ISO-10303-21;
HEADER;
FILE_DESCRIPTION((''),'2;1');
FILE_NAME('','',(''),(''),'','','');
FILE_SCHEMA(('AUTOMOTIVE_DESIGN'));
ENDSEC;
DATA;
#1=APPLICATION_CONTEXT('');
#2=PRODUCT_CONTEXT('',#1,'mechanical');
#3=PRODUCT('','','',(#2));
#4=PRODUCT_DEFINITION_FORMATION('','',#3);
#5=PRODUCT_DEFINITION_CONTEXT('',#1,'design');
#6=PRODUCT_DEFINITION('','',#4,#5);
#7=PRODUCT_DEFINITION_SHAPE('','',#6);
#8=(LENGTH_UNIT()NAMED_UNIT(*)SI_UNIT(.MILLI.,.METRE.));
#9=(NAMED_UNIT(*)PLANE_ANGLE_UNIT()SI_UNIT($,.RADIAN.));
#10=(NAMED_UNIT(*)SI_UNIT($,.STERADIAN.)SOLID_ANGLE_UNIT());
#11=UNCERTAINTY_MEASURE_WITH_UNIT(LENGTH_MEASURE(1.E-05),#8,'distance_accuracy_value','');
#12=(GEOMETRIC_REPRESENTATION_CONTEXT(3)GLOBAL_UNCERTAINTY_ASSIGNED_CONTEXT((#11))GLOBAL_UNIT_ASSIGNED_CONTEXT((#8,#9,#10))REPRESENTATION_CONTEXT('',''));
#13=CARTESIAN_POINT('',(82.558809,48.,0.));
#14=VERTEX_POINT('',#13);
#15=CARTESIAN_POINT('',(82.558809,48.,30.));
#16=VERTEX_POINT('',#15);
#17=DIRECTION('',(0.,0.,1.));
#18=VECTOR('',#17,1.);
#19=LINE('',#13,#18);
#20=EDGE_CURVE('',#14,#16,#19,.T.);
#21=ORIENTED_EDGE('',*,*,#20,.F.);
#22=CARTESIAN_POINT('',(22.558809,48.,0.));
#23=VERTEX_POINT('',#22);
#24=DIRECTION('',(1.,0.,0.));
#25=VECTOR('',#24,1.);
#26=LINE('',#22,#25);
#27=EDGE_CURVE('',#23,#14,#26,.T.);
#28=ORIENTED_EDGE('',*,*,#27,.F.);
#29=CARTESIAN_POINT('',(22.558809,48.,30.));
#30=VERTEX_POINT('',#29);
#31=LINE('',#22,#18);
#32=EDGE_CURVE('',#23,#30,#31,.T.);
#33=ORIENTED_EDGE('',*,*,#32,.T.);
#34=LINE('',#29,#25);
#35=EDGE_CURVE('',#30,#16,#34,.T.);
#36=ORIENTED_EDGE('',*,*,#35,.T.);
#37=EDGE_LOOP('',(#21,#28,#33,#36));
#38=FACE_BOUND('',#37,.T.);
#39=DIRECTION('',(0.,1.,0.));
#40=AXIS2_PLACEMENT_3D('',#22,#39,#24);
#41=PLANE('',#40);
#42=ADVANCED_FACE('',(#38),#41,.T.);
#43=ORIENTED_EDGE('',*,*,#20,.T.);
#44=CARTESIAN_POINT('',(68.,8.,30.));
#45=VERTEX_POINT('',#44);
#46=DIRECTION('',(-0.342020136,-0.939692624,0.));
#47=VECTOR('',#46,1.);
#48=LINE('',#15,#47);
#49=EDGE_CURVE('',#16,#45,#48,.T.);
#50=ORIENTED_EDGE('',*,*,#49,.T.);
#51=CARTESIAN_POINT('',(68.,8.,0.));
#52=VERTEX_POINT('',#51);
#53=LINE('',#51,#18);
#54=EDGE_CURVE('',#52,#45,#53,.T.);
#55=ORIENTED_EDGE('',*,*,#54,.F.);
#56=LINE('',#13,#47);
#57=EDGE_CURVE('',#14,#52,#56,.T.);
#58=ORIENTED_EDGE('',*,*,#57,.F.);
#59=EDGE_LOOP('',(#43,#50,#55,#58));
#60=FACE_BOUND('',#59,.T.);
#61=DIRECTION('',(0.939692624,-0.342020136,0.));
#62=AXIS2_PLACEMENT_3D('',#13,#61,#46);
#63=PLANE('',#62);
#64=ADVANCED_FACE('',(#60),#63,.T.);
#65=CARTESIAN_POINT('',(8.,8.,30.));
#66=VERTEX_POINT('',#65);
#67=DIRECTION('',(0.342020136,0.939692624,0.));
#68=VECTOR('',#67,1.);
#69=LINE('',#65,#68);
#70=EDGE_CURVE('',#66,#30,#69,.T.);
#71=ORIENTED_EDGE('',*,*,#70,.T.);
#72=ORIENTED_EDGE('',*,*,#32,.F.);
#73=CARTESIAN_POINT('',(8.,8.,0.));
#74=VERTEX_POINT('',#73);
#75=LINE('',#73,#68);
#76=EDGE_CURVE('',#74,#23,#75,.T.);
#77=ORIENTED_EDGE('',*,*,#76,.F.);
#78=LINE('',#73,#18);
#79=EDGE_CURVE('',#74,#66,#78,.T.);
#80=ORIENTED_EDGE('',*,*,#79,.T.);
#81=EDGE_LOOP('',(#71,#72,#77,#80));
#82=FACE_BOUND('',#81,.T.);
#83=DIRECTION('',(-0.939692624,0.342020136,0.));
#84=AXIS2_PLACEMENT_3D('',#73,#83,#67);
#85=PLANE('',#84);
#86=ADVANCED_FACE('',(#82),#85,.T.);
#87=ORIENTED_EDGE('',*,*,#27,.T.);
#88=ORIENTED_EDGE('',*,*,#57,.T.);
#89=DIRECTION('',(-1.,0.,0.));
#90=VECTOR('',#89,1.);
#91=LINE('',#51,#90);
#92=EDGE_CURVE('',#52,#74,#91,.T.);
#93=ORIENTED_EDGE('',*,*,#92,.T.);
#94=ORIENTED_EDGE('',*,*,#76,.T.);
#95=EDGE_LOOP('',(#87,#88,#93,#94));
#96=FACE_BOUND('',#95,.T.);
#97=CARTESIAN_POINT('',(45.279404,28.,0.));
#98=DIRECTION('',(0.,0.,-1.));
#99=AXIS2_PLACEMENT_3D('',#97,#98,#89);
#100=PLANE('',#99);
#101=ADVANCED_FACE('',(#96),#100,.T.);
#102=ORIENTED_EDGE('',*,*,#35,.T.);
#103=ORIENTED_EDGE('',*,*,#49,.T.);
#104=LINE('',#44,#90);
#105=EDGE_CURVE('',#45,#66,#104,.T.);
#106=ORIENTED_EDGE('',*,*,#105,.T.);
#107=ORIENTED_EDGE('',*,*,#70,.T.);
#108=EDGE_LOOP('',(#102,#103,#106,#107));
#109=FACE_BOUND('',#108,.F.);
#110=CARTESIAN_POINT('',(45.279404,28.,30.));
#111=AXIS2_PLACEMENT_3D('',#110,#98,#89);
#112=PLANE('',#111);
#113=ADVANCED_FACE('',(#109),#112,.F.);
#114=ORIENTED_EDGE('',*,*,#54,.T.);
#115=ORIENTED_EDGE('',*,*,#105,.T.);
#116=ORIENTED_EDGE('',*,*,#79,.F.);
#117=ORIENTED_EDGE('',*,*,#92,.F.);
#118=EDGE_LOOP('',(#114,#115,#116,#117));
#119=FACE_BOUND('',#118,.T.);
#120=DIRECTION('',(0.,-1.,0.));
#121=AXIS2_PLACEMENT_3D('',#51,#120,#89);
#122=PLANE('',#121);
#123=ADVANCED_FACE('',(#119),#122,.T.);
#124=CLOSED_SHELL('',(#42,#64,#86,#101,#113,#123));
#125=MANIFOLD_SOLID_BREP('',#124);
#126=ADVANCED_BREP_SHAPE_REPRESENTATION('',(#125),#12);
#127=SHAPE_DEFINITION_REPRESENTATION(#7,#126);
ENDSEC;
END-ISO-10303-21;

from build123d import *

# Parameters (mm, degrees)
PAD_DEPTH = 30


with BuildPart() as part:
    # Sketch → Pad (new body)
    with BuildSketch(Plane.XY):
        Polygon((22.558809, 48), (82.558809, 48), (68, 8), (8, 8), align=None)
    extrude(amount=PAD_DEPTH)


solid = part.part
